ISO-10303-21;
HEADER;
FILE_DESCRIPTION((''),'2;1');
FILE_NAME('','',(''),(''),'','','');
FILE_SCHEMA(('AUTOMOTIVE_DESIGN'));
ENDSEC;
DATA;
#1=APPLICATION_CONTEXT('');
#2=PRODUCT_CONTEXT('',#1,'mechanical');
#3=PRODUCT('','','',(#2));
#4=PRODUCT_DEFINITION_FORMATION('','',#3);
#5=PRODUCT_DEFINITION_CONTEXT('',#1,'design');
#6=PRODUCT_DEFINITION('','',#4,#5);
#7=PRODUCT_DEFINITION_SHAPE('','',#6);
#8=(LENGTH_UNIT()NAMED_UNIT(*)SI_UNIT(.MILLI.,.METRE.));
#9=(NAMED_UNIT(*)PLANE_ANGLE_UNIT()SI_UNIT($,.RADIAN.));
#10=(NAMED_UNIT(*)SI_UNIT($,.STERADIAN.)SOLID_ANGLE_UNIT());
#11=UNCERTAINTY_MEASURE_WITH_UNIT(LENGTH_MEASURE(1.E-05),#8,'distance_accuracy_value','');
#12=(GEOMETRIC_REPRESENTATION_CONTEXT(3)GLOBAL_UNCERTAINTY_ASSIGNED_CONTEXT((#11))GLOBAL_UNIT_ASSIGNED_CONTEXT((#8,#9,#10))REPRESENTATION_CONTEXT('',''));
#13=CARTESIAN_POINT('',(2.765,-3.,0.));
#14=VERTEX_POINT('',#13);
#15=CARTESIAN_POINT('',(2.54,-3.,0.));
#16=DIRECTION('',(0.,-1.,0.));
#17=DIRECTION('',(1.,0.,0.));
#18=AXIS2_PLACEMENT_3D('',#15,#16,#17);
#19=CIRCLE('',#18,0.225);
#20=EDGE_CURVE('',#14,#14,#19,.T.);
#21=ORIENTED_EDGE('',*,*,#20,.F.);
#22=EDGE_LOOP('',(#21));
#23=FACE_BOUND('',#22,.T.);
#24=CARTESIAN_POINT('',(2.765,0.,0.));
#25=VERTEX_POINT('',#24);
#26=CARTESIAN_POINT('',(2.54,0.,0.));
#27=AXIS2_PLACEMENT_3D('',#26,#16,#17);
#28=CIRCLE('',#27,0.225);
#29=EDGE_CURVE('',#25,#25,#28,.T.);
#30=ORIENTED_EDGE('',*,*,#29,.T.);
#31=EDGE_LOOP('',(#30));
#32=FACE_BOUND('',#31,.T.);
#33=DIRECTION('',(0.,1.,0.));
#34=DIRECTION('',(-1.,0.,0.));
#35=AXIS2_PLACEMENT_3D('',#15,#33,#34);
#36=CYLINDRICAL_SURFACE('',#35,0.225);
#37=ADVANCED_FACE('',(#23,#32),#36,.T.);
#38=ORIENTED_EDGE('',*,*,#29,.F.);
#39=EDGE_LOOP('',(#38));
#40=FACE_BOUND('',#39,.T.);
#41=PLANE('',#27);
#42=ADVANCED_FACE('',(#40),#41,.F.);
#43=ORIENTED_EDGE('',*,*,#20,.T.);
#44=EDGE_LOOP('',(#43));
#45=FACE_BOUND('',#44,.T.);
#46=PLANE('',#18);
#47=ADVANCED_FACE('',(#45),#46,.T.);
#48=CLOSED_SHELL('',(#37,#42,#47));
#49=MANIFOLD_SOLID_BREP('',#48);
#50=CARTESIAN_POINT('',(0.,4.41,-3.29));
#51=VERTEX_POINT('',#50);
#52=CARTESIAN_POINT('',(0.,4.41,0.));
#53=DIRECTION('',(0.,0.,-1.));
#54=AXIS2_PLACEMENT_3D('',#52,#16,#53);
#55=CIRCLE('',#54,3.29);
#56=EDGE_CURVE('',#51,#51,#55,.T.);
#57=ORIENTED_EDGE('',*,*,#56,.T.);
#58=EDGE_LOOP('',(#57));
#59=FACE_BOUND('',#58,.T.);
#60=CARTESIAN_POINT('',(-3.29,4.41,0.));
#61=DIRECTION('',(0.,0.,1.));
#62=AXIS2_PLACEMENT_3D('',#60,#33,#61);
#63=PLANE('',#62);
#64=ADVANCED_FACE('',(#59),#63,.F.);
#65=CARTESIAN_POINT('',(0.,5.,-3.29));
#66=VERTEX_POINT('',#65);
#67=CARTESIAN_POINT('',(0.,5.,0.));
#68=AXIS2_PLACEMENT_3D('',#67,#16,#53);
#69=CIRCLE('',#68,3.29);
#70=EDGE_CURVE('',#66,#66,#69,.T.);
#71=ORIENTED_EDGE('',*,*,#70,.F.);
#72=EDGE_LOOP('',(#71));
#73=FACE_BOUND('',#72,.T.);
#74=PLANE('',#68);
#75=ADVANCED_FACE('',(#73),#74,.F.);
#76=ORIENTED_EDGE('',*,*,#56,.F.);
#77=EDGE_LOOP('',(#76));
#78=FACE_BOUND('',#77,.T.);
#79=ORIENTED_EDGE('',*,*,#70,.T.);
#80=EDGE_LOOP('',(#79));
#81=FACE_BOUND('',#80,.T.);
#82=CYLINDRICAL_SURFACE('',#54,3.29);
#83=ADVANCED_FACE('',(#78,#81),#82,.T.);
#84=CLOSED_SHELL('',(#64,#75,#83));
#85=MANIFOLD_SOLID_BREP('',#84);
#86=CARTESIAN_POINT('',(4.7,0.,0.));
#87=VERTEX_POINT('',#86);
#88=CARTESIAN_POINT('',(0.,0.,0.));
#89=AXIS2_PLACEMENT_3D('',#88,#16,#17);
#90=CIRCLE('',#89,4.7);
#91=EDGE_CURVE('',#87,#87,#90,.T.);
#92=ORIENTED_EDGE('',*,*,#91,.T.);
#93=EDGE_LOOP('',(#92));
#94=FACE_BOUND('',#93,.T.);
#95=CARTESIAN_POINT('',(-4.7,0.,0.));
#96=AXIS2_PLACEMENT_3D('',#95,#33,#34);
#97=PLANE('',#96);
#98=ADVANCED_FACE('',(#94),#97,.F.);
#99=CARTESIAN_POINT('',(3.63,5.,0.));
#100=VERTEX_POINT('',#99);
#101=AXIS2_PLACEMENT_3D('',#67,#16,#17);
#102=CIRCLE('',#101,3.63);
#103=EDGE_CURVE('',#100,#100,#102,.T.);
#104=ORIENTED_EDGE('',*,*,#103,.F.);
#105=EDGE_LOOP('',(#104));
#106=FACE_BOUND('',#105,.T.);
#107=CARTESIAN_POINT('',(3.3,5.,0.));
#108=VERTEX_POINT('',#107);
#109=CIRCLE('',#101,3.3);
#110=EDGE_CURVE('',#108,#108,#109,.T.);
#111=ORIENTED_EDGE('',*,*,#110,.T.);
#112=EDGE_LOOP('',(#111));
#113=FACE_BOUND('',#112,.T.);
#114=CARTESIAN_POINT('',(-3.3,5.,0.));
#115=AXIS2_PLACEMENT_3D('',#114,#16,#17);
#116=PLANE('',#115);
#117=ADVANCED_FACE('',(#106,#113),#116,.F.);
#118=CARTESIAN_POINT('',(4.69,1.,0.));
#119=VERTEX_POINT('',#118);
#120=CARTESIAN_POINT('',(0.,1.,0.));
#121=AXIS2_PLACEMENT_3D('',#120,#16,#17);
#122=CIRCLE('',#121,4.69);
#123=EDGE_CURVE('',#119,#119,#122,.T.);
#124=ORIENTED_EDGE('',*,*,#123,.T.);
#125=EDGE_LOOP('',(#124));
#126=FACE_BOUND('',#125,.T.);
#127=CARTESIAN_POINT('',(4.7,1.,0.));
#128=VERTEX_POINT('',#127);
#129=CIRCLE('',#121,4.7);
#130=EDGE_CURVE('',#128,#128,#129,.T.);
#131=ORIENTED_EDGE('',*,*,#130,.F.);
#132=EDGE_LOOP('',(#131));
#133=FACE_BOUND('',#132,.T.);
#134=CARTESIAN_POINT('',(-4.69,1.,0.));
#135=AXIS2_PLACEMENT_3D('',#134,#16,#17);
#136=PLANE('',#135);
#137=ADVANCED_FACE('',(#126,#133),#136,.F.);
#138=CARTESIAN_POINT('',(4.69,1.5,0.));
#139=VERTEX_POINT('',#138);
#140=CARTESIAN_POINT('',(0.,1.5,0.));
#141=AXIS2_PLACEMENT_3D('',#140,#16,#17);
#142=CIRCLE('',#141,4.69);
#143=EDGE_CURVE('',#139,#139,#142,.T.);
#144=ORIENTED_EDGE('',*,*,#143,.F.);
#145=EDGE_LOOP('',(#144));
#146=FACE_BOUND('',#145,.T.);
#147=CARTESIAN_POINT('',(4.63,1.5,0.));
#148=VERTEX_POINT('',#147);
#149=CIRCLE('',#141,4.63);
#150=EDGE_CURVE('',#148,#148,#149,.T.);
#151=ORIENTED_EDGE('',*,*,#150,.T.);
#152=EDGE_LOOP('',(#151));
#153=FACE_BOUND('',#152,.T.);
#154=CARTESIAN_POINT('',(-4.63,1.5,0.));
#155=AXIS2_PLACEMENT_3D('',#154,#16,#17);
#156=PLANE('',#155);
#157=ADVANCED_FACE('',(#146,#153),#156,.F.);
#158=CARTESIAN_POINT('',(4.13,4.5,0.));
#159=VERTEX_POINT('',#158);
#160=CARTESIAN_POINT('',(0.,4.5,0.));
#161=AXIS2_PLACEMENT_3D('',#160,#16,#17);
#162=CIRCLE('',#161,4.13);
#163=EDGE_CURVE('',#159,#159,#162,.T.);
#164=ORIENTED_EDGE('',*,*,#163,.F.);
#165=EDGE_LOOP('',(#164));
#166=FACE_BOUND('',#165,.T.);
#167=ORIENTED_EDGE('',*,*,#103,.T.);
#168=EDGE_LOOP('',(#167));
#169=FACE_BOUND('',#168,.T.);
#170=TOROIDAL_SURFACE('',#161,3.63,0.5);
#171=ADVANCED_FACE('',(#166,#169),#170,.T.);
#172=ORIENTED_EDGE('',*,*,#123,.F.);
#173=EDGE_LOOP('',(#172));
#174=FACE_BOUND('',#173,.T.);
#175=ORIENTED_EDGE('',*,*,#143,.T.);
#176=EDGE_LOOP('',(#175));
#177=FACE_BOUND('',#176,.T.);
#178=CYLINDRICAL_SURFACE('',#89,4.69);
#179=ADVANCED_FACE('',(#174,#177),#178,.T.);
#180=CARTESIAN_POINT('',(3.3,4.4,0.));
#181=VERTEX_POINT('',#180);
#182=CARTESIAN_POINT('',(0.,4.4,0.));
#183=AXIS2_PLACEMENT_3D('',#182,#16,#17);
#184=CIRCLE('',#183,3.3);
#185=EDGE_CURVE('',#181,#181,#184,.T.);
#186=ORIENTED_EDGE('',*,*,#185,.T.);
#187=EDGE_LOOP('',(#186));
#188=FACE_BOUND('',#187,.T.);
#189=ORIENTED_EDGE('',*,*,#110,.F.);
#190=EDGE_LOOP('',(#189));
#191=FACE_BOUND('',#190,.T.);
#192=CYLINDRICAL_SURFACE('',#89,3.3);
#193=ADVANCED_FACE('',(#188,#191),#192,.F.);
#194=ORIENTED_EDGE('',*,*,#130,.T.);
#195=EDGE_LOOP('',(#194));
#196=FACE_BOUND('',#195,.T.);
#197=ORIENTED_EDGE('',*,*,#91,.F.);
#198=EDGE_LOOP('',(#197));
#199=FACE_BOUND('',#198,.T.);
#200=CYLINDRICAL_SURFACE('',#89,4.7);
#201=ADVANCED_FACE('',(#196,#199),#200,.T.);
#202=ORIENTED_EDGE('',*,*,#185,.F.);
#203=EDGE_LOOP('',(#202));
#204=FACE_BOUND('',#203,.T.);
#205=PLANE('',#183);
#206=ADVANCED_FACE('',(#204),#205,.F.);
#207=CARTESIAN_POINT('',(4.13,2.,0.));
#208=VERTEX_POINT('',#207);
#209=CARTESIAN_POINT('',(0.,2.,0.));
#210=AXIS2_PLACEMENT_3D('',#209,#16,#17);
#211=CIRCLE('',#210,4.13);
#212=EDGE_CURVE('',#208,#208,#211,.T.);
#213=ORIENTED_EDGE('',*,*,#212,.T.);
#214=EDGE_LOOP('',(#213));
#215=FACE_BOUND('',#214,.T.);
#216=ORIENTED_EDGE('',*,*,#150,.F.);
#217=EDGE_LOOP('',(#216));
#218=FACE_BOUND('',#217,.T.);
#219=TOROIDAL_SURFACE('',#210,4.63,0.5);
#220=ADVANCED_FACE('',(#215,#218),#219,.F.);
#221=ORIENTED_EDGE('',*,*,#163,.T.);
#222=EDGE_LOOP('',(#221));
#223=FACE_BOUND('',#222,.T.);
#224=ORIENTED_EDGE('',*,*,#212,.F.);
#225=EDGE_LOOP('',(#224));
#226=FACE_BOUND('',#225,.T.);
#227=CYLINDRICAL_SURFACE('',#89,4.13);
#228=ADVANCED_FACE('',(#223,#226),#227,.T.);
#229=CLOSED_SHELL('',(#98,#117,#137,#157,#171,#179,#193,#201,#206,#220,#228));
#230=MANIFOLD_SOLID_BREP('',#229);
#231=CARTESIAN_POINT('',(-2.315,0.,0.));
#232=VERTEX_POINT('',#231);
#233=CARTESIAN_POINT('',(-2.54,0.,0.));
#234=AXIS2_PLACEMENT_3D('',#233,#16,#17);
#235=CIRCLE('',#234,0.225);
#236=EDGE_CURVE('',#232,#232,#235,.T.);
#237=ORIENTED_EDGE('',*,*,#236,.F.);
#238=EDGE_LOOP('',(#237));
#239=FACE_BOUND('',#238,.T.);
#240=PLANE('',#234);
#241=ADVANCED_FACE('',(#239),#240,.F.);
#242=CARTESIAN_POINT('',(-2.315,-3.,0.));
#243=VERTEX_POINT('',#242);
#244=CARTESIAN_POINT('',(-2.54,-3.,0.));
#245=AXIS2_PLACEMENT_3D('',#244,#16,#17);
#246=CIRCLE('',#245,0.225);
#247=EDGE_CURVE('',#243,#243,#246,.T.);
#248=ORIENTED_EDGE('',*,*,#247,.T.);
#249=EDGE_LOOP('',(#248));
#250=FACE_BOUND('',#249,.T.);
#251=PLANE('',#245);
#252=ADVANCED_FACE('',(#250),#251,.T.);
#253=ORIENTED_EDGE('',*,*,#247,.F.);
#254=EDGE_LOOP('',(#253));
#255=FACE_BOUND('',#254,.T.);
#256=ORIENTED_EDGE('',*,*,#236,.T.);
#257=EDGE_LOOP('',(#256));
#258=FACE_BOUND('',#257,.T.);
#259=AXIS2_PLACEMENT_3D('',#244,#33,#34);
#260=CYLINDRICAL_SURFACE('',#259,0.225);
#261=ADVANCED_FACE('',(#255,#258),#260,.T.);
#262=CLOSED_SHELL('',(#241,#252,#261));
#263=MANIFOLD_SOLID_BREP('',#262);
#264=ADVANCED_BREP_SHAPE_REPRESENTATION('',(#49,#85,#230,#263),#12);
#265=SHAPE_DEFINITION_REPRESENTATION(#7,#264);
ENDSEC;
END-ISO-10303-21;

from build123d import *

# Parameters (mm, degrees)
SKETCH2_R             = 0.225
BOSS_EXTRUDE1_DEPTH   = 3
BOSS_EXTRUDE1_2_DEPTH = 3
SKETCH3_W             = 3.29
SKETCH3_H             = 0.59


with BuildPart() as part:
    # Sketch1 → Revolve1 (revolve)
    with BuildSketch(Plane.XY, mode=Mode.PRIVATE) as revolve1_sk:
        with BuildLine():
            Line((0, 4.4), (-3.3, 4.4))
            Line((-3.3, 4.4), (-3.3, 5))
            Line((-3.3, 5), (-3.63, 5))
            ThreePointArc((-3.63, 5), (-3.983553391, 4.853553391), (-4.13, 4.5))
            Line((-4.13, 4.5), (-4.13, 2))
            ThreePointArc((-4.13, 2), (-4.276446609, 1.646446609), (-4.63, 1.5))
            Line((-4.63, 1.5), (-4.69, 1.5))
            Line((-4.69, 1.5), (-4.69, 1))
            Line((-4.69, 1), (-4.7, 1))
            Line((-4.7, 1), (-4.7, 0))
            Line((-4.7, 0), (0, 0))
            Line((0, 0), (0, 4.4))
        make_face()
    revolve(revolve1_sk.sketch.rotate(Axis((0, 0, 0), (0, 1, 0)), 180), axis=Axis((0, 0, 0), (0, 1, 0)))


with BuildPart() as body_2:
    # Sketch2 → Boss-Extrude1 (new body)
    with BuildSketch(Plane.XZ):
        with Locations((-2.54, 0)):
            Circle(SKETCH2_R)
    extrude(amount=BOSS_EXTRUDE1_DEPTH)


with BuildPart() as body_3:
    # Sketch2 → Boss-Extrude1 2 (new body)
    with BuildSketch(Plane.XZ):
        with Locations((2.54, 0)):
            Circle(SKETCH2_R)
    extrude(amount=BOSS_EXTRUDE1_2_DEPTH)


with BuildPart() as body_4:
    # Sketch3 → Revolve2 (revolve)
    with BuildSketch(Plane.XY, mode=Mode.PRIVATE) as revolve2_sk:
        with Locations((-1.645, 4.705)):
            Rectangle(SKETCH3_W, SKETCH3_H)
    revolve(revolve2_sk.sketch.rotate(Axis((0, 4.41, 0), (0, 1, 0)), 270), axis=Axis((0, 4.41, 0), (0, 1, 0)))


solid = Compound([part.part, body_2.part, body_3.part, body_4.part])
